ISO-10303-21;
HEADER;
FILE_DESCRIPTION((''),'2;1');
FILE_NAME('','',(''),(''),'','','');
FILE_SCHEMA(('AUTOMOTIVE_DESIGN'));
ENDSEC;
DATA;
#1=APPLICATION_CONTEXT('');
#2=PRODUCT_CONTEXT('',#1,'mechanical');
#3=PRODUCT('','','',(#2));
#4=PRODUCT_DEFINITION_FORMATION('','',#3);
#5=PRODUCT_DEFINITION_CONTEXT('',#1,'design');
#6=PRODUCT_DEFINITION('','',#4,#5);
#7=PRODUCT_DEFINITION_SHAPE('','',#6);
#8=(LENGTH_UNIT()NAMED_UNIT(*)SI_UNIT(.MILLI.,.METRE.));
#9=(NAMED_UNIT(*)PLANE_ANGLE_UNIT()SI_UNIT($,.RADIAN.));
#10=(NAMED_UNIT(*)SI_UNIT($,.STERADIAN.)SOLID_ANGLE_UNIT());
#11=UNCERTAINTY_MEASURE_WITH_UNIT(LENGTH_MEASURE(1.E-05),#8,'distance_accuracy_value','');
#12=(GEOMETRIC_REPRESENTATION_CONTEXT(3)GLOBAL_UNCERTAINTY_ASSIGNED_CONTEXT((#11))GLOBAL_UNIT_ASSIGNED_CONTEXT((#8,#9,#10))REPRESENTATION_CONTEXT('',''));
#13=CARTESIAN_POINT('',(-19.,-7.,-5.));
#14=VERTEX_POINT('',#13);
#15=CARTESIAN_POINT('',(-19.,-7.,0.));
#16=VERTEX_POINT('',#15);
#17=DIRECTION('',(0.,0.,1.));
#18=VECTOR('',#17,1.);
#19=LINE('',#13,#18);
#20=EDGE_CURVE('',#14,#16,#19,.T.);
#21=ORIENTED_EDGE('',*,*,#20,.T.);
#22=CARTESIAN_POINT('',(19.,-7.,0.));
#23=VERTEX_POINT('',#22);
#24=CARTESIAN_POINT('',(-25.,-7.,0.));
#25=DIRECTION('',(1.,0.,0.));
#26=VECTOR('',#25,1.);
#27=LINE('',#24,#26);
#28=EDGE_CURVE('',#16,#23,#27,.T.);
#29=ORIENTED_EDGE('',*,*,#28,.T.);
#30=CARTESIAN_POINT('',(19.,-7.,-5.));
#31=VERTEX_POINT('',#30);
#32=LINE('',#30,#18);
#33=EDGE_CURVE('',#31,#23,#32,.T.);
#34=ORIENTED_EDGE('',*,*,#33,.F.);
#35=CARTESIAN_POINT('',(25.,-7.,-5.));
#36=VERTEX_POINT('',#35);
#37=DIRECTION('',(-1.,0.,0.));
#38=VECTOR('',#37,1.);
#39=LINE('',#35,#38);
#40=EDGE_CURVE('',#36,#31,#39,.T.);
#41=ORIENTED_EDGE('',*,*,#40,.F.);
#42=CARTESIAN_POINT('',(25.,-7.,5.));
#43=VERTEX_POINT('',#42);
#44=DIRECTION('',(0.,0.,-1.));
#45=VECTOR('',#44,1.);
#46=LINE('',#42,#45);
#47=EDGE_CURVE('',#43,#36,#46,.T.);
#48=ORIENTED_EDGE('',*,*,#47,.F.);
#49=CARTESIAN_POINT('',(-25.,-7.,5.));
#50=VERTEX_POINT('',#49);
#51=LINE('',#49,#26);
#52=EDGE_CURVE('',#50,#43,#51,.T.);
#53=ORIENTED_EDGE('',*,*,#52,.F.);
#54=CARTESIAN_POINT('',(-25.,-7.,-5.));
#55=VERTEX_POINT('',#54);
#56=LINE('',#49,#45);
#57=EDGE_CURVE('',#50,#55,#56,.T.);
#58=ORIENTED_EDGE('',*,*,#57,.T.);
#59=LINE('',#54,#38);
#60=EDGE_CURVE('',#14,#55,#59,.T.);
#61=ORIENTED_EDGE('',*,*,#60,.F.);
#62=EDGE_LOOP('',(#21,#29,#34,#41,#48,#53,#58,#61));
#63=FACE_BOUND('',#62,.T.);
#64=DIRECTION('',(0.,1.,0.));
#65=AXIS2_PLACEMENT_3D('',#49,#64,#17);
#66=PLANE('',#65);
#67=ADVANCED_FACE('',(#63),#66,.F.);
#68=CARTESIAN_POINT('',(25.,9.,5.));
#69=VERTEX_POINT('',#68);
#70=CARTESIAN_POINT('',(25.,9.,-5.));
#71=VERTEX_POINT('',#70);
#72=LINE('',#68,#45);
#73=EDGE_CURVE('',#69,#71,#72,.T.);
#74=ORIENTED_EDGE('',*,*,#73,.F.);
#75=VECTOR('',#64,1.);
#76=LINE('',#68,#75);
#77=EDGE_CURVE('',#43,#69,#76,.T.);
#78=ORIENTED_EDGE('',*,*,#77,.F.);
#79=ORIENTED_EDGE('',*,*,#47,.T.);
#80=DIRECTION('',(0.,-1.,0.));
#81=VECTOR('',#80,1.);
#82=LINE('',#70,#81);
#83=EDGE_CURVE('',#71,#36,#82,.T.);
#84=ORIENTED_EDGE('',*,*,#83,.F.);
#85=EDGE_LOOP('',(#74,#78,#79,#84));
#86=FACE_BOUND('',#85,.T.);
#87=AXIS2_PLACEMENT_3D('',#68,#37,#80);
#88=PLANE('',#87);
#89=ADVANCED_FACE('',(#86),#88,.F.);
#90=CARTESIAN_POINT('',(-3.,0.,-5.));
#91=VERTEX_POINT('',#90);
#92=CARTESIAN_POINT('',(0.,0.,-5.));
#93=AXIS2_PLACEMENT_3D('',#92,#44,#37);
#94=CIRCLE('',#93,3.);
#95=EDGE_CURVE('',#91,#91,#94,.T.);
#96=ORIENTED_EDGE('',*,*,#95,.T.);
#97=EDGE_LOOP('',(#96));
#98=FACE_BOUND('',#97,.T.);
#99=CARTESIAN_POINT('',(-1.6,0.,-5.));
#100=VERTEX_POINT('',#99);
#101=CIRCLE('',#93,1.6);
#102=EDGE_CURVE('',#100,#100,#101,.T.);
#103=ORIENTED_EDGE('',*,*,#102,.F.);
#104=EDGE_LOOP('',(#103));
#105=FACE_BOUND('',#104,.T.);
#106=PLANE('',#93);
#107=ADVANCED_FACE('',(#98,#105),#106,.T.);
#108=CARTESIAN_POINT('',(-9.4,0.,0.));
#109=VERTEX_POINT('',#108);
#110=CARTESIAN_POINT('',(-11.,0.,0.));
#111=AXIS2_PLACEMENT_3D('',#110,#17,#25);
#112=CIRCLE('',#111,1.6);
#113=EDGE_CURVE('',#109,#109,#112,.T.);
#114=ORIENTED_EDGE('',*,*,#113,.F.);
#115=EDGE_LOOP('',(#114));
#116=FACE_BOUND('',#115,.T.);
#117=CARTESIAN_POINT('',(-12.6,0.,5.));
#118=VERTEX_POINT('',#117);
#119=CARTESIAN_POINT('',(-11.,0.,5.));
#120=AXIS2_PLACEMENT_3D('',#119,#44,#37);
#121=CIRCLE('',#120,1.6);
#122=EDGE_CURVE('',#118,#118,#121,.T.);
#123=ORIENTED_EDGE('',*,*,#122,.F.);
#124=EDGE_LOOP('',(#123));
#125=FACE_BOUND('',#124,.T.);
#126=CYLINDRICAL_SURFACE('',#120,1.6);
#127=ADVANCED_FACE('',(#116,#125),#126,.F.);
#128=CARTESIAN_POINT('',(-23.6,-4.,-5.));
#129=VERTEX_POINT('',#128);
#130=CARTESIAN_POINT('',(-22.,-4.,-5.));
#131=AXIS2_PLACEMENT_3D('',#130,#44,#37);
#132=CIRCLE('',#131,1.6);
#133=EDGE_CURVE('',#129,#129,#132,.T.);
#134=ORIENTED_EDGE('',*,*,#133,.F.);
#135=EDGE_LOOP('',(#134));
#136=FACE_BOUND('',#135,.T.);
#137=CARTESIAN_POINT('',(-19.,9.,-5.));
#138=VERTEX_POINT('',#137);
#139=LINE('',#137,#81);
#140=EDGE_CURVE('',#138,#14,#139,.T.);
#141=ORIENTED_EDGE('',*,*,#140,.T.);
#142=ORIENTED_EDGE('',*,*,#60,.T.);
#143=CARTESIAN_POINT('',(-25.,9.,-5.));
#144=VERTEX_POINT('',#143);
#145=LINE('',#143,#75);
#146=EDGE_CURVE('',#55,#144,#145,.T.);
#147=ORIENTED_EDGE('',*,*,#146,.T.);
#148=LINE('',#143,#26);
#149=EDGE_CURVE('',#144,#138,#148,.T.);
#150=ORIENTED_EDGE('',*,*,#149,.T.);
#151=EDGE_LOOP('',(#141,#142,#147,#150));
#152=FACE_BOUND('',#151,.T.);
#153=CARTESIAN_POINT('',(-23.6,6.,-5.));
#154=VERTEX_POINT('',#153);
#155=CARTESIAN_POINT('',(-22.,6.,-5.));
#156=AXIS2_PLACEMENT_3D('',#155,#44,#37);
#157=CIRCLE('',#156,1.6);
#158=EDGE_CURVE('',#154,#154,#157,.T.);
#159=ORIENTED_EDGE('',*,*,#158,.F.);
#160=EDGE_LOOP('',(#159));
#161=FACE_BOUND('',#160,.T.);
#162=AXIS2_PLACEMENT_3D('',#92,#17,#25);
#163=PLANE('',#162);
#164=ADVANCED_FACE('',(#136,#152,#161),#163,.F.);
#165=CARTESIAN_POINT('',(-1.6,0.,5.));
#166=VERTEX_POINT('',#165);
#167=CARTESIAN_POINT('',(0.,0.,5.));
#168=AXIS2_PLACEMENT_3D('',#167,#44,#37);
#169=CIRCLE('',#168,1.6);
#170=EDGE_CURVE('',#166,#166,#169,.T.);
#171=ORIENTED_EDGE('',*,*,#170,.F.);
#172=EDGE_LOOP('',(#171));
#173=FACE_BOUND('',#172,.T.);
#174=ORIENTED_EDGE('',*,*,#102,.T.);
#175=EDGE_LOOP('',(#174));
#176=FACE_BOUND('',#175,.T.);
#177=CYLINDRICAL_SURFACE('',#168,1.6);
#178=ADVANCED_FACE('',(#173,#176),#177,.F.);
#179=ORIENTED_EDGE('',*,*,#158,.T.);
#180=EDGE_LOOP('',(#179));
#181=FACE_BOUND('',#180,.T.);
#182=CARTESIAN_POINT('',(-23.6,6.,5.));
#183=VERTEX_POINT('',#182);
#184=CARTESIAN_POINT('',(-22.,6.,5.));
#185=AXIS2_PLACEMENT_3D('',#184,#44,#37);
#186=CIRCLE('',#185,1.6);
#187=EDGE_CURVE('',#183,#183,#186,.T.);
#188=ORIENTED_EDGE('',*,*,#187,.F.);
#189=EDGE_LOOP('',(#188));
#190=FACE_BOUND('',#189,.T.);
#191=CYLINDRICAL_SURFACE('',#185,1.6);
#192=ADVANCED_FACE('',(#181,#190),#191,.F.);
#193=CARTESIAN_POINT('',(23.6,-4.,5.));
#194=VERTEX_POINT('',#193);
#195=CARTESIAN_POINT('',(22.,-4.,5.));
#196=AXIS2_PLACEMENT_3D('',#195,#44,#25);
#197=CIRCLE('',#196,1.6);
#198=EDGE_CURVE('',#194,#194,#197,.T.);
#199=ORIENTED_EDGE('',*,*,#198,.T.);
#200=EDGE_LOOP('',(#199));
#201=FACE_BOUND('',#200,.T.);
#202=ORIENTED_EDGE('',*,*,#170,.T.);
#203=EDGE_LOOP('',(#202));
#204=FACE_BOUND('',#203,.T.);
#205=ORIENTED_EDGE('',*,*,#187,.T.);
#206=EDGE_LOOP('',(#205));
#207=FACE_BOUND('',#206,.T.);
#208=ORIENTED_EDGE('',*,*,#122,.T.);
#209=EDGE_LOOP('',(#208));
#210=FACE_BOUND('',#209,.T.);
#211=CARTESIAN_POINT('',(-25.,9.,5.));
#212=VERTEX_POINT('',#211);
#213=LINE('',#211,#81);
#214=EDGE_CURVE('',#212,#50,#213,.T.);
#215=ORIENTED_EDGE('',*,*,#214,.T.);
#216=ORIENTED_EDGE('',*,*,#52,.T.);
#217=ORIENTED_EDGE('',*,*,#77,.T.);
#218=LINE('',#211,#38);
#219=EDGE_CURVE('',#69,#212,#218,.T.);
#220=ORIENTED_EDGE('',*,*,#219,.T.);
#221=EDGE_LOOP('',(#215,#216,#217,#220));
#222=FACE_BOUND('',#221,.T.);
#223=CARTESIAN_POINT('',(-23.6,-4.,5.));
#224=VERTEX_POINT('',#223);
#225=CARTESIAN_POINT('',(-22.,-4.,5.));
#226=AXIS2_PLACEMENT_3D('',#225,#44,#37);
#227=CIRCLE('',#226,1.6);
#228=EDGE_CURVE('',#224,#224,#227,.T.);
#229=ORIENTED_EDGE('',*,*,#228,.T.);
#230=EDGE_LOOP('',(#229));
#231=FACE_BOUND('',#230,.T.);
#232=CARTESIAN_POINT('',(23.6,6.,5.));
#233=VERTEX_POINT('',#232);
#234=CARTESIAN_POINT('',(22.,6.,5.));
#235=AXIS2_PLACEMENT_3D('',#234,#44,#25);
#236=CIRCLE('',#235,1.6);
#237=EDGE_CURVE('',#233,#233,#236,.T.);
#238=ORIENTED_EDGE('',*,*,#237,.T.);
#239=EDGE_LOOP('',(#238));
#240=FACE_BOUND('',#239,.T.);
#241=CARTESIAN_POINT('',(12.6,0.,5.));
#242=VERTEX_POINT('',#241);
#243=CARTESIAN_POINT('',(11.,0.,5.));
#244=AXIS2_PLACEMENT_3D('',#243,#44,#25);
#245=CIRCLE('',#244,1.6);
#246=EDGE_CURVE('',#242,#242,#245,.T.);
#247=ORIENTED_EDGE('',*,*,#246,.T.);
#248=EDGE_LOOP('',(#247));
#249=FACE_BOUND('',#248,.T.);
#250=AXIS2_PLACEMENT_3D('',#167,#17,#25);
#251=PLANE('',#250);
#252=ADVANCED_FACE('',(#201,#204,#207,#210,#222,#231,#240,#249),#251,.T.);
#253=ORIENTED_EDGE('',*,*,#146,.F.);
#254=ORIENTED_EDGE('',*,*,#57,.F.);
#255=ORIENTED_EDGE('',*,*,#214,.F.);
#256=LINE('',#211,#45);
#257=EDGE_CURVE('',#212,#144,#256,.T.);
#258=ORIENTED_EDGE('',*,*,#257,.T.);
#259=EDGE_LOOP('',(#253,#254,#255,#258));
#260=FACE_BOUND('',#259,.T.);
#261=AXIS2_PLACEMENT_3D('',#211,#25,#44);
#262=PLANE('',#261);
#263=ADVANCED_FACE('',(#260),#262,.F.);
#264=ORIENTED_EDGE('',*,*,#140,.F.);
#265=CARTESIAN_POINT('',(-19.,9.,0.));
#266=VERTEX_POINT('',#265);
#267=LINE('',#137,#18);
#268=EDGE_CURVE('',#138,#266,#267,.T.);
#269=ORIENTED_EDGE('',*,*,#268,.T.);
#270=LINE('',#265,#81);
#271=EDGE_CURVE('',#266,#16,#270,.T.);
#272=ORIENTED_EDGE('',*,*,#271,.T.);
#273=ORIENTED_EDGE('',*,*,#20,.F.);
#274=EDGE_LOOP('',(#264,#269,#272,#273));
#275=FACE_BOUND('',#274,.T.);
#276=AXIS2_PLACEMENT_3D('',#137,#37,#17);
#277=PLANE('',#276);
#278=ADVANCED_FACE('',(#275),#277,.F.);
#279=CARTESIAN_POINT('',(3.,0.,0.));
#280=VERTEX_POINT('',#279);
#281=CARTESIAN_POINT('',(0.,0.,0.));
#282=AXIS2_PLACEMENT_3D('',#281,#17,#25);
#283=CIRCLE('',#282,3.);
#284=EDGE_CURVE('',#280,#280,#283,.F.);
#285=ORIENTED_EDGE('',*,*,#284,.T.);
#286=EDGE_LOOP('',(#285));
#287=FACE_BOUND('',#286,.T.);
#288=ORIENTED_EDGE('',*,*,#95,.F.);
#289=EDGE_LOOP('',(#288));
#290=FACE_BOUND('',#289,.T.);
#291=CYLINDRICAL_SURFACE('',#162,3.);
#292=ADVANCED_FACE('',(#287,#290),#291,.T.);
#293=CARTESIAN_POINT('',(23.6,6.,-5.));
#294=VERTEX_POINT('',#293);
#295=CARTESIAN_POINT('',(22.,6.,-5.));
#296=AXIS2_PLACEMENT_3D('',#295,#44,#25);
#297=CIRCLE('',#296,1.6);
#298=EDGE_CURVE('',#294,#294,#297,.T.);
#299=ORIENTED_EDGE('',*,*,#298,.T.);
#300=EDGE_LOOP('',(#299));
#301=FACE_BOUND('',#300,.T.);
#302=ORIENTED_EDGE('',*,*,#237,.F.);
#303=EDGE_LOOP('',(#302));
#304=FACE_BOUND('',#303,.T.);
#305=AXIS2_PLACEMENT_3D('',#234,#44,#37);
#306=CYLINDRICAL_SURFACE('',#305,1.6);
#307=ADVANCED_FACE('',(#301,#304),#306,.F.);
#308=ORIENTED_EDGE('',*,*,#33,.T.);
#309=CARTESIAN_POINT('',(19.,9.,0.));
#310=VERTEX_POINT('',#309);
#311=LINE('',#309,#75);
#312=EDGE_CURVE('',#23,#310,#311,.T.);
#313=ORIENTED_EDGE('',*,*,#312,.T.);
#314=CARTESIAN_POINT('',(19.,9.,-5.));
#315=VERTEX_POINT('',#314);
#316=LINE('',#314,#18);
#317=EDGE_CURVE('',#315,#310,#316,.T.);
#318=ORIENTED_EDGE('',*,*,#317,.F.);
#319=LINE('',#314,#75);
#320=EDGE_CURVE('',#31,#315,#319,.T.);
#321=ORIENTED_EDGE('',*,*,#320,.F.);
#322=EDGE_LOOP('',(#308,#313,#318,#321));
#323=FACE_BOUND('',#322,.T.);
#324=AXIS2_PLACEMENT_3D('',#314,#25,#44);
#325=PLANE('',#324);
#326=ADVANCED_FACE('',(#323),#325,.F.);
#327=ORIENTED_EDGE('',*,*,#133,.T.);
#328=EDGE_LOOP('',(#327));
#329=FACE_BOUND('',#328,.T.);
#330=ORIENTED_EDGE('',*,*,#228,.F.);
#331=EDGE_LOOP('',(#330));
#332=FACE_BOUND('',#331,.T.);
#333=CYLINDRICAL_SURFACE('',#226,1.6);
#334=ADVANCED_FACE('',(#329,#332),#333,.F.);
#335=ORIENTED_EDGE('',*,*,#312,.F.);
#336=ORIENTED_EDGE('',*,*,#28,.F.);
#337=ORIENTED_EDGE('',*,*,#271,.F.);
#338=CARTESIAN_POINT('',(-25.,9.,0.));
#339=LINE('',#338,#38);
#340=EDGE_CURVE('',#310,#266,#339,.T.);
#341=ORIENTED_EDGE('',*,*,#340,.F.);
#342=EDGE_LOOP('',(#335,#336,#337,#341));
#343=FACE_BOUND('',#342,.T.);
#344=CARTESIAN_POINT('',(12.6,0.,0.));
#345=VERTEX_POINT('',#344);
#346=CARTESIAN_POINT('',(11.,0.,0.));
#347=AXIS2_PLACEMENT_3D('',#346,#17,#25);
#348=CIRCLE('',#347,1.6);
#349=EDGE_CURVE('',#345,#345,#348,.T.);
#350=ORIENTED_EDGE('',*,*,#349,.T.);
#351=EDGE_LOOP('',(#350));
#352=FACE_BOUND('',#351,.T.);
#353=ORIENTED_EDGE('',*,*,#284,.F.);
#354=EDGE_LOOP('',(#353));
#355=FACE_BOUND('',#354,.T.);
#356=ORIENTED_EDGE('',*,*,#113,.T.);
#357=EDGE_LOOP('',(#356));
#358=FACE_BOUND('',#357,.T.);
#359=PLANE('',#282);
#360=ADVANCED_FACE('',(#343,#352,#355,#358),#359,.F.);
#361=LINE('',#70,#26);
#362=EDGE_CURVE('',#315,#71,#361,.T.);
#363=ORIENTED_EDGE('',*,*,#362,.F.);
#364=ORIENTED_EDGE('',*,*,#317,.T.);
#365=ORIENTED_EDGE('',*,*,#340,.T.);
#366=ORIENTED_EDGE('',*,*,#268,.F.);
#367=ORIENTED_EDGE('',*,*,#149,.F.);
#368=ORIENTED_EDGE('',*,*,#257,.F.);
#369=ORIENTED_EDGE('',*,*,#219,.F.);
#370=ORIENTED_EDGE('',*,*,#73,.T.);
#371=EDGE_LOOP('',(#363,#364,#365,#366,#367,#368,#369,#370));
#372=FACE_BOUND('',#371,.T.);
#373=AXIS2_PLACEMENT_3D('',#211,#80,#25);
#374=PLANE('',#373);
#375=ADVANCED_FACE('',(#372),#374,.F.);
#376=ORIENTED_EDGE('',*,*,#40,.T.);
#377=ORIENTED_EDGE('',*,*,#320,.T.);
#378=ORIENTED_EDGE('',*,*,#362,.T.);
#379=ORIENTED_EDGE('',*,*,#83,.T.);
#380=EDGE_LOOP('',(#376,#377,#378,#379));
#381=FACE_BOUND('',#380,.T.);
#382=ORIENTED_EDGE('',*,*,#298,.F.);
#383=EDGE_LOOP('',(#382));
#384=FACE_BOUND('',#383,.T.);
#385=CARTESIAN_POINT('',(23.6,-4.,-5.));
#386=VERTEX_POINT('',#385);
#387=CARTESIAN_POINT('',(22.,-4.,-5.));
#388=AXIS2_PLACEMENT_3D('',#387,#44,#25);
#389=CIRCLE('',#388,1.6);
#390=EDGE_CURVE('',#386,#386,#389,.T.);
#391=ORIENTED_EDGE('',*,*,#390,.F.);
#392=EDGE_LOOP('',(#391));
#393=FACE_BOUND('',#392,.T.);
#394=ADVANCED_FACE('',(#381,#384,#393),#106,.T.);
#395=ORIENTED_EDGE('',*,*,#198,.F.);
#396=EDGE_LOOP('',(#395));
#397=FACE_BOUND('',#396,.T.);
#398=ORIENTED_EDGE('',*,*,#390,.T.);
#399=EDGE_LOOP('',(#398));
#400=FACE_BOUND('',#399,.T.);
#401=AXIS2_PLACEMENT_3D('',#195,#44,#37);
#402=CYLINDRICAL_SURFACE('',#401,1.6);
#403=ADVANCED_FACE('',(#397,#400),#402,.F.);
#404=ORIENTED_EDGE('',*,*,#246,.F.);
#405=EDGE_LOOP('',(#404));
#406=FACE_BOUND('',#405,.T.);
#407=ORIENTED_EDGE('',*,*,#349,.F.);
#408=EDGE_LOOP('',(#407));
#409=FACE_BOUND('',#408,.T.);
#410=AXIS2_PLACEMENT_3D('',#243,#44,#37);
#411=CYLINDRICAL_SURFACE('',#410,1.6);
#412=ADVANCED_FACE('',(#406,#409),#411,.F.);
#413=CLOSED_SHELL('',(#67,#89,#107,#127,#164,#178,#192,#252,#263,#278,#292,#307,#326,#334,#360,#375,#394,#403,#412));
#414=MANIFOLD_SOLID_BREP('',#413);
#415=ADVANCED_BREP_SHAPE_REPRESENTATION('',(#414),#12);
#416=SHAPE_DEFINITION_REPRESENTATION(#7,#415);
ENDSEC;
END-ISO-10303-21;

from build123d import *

# Parameters (mm, degrees)
SKETCH1_W               = 50
SKETCH1_H               = 16
BOSS_EXTRUDE1_DEPTH     = 5
SKETCH2_R               = 3
SKETCH2_W               = 6
SKETCH2_H               = 16
BOSS_EXTRUDE2_DEPTH     = 5
CUT_EXTRUDE1_DEPTH      = 28.037011669
CUT_EXTRUDE1_DEPTH_BACK = 28.037011669
SKETCH3_R               = 1.6


with BuildPart() as part:
    # Sketch1 → Boss-Extrude1 (new body)
    with BuildSketch(Plane.XY):
        with Locations((0, 1)):
            Rectangle(SKETCH1_W, SKETCH1_H)
    extrude(amount=BOSS_EXTRUDE1_DEPTH)

    # Sketch2 → Boss-Extrude2 (add)
    with BuildSketch(Plane(origin=(0, 0, 0), x_dir=(-1, 0, 0), z_dir=(0, 0, -1))):
        with Locations(Location((0, 0, 0), (0, 0, 180))):
            Circle(SKETCH2_R)
        with Locations((22, 1)):
            Rectangle(SKETCH2_W, SKETCH2_H)
        with Locations((-22, 1)):
            Rectangle(SKETCH2_W, SKETCH2_H)
    extrude(amount=BOSS_EXTRUDE2_DEPTH)

    # Sketch3 → Cut-Extrude1 (cut, two sides: drawn at the far end of the back side and taken through both)
    with BuildSketch(Plane(origin=(0, 0, 0), x_dir=(-1, 0, 0), z_dir=(0, 0, -1)).offset(-CUT_EXTRUDE1_DEPTH_BACK)):
        Circle(SKETCH3_R)
        with Locations((11, 0)):
            Circle(SKETCH3_R)
        with Locations((22, -4)):
            Circle(SKETCH3_R)
        with Locations((22, 6)):
            Circle(SKETCH3_R)
        with Locations(Location((-22, 6, 0), (0, 0, 180))):
            Circle(SKETCH3_R)
        with Locations(Location((-22, -4, 0), (0, 0, 180))):
            Circle(SKETCH3_R)
        with Locations(Location((-11, 0, 0), (0, 0, 180))):
            Circle(SKETCH3_R)
    extrude(amount=CUT_EXTRUDE1_DEPTH + CUT_EXTRUDE1_DEPTH_BACK, mode=Mode.SUBTRACT)


solid = part.part
